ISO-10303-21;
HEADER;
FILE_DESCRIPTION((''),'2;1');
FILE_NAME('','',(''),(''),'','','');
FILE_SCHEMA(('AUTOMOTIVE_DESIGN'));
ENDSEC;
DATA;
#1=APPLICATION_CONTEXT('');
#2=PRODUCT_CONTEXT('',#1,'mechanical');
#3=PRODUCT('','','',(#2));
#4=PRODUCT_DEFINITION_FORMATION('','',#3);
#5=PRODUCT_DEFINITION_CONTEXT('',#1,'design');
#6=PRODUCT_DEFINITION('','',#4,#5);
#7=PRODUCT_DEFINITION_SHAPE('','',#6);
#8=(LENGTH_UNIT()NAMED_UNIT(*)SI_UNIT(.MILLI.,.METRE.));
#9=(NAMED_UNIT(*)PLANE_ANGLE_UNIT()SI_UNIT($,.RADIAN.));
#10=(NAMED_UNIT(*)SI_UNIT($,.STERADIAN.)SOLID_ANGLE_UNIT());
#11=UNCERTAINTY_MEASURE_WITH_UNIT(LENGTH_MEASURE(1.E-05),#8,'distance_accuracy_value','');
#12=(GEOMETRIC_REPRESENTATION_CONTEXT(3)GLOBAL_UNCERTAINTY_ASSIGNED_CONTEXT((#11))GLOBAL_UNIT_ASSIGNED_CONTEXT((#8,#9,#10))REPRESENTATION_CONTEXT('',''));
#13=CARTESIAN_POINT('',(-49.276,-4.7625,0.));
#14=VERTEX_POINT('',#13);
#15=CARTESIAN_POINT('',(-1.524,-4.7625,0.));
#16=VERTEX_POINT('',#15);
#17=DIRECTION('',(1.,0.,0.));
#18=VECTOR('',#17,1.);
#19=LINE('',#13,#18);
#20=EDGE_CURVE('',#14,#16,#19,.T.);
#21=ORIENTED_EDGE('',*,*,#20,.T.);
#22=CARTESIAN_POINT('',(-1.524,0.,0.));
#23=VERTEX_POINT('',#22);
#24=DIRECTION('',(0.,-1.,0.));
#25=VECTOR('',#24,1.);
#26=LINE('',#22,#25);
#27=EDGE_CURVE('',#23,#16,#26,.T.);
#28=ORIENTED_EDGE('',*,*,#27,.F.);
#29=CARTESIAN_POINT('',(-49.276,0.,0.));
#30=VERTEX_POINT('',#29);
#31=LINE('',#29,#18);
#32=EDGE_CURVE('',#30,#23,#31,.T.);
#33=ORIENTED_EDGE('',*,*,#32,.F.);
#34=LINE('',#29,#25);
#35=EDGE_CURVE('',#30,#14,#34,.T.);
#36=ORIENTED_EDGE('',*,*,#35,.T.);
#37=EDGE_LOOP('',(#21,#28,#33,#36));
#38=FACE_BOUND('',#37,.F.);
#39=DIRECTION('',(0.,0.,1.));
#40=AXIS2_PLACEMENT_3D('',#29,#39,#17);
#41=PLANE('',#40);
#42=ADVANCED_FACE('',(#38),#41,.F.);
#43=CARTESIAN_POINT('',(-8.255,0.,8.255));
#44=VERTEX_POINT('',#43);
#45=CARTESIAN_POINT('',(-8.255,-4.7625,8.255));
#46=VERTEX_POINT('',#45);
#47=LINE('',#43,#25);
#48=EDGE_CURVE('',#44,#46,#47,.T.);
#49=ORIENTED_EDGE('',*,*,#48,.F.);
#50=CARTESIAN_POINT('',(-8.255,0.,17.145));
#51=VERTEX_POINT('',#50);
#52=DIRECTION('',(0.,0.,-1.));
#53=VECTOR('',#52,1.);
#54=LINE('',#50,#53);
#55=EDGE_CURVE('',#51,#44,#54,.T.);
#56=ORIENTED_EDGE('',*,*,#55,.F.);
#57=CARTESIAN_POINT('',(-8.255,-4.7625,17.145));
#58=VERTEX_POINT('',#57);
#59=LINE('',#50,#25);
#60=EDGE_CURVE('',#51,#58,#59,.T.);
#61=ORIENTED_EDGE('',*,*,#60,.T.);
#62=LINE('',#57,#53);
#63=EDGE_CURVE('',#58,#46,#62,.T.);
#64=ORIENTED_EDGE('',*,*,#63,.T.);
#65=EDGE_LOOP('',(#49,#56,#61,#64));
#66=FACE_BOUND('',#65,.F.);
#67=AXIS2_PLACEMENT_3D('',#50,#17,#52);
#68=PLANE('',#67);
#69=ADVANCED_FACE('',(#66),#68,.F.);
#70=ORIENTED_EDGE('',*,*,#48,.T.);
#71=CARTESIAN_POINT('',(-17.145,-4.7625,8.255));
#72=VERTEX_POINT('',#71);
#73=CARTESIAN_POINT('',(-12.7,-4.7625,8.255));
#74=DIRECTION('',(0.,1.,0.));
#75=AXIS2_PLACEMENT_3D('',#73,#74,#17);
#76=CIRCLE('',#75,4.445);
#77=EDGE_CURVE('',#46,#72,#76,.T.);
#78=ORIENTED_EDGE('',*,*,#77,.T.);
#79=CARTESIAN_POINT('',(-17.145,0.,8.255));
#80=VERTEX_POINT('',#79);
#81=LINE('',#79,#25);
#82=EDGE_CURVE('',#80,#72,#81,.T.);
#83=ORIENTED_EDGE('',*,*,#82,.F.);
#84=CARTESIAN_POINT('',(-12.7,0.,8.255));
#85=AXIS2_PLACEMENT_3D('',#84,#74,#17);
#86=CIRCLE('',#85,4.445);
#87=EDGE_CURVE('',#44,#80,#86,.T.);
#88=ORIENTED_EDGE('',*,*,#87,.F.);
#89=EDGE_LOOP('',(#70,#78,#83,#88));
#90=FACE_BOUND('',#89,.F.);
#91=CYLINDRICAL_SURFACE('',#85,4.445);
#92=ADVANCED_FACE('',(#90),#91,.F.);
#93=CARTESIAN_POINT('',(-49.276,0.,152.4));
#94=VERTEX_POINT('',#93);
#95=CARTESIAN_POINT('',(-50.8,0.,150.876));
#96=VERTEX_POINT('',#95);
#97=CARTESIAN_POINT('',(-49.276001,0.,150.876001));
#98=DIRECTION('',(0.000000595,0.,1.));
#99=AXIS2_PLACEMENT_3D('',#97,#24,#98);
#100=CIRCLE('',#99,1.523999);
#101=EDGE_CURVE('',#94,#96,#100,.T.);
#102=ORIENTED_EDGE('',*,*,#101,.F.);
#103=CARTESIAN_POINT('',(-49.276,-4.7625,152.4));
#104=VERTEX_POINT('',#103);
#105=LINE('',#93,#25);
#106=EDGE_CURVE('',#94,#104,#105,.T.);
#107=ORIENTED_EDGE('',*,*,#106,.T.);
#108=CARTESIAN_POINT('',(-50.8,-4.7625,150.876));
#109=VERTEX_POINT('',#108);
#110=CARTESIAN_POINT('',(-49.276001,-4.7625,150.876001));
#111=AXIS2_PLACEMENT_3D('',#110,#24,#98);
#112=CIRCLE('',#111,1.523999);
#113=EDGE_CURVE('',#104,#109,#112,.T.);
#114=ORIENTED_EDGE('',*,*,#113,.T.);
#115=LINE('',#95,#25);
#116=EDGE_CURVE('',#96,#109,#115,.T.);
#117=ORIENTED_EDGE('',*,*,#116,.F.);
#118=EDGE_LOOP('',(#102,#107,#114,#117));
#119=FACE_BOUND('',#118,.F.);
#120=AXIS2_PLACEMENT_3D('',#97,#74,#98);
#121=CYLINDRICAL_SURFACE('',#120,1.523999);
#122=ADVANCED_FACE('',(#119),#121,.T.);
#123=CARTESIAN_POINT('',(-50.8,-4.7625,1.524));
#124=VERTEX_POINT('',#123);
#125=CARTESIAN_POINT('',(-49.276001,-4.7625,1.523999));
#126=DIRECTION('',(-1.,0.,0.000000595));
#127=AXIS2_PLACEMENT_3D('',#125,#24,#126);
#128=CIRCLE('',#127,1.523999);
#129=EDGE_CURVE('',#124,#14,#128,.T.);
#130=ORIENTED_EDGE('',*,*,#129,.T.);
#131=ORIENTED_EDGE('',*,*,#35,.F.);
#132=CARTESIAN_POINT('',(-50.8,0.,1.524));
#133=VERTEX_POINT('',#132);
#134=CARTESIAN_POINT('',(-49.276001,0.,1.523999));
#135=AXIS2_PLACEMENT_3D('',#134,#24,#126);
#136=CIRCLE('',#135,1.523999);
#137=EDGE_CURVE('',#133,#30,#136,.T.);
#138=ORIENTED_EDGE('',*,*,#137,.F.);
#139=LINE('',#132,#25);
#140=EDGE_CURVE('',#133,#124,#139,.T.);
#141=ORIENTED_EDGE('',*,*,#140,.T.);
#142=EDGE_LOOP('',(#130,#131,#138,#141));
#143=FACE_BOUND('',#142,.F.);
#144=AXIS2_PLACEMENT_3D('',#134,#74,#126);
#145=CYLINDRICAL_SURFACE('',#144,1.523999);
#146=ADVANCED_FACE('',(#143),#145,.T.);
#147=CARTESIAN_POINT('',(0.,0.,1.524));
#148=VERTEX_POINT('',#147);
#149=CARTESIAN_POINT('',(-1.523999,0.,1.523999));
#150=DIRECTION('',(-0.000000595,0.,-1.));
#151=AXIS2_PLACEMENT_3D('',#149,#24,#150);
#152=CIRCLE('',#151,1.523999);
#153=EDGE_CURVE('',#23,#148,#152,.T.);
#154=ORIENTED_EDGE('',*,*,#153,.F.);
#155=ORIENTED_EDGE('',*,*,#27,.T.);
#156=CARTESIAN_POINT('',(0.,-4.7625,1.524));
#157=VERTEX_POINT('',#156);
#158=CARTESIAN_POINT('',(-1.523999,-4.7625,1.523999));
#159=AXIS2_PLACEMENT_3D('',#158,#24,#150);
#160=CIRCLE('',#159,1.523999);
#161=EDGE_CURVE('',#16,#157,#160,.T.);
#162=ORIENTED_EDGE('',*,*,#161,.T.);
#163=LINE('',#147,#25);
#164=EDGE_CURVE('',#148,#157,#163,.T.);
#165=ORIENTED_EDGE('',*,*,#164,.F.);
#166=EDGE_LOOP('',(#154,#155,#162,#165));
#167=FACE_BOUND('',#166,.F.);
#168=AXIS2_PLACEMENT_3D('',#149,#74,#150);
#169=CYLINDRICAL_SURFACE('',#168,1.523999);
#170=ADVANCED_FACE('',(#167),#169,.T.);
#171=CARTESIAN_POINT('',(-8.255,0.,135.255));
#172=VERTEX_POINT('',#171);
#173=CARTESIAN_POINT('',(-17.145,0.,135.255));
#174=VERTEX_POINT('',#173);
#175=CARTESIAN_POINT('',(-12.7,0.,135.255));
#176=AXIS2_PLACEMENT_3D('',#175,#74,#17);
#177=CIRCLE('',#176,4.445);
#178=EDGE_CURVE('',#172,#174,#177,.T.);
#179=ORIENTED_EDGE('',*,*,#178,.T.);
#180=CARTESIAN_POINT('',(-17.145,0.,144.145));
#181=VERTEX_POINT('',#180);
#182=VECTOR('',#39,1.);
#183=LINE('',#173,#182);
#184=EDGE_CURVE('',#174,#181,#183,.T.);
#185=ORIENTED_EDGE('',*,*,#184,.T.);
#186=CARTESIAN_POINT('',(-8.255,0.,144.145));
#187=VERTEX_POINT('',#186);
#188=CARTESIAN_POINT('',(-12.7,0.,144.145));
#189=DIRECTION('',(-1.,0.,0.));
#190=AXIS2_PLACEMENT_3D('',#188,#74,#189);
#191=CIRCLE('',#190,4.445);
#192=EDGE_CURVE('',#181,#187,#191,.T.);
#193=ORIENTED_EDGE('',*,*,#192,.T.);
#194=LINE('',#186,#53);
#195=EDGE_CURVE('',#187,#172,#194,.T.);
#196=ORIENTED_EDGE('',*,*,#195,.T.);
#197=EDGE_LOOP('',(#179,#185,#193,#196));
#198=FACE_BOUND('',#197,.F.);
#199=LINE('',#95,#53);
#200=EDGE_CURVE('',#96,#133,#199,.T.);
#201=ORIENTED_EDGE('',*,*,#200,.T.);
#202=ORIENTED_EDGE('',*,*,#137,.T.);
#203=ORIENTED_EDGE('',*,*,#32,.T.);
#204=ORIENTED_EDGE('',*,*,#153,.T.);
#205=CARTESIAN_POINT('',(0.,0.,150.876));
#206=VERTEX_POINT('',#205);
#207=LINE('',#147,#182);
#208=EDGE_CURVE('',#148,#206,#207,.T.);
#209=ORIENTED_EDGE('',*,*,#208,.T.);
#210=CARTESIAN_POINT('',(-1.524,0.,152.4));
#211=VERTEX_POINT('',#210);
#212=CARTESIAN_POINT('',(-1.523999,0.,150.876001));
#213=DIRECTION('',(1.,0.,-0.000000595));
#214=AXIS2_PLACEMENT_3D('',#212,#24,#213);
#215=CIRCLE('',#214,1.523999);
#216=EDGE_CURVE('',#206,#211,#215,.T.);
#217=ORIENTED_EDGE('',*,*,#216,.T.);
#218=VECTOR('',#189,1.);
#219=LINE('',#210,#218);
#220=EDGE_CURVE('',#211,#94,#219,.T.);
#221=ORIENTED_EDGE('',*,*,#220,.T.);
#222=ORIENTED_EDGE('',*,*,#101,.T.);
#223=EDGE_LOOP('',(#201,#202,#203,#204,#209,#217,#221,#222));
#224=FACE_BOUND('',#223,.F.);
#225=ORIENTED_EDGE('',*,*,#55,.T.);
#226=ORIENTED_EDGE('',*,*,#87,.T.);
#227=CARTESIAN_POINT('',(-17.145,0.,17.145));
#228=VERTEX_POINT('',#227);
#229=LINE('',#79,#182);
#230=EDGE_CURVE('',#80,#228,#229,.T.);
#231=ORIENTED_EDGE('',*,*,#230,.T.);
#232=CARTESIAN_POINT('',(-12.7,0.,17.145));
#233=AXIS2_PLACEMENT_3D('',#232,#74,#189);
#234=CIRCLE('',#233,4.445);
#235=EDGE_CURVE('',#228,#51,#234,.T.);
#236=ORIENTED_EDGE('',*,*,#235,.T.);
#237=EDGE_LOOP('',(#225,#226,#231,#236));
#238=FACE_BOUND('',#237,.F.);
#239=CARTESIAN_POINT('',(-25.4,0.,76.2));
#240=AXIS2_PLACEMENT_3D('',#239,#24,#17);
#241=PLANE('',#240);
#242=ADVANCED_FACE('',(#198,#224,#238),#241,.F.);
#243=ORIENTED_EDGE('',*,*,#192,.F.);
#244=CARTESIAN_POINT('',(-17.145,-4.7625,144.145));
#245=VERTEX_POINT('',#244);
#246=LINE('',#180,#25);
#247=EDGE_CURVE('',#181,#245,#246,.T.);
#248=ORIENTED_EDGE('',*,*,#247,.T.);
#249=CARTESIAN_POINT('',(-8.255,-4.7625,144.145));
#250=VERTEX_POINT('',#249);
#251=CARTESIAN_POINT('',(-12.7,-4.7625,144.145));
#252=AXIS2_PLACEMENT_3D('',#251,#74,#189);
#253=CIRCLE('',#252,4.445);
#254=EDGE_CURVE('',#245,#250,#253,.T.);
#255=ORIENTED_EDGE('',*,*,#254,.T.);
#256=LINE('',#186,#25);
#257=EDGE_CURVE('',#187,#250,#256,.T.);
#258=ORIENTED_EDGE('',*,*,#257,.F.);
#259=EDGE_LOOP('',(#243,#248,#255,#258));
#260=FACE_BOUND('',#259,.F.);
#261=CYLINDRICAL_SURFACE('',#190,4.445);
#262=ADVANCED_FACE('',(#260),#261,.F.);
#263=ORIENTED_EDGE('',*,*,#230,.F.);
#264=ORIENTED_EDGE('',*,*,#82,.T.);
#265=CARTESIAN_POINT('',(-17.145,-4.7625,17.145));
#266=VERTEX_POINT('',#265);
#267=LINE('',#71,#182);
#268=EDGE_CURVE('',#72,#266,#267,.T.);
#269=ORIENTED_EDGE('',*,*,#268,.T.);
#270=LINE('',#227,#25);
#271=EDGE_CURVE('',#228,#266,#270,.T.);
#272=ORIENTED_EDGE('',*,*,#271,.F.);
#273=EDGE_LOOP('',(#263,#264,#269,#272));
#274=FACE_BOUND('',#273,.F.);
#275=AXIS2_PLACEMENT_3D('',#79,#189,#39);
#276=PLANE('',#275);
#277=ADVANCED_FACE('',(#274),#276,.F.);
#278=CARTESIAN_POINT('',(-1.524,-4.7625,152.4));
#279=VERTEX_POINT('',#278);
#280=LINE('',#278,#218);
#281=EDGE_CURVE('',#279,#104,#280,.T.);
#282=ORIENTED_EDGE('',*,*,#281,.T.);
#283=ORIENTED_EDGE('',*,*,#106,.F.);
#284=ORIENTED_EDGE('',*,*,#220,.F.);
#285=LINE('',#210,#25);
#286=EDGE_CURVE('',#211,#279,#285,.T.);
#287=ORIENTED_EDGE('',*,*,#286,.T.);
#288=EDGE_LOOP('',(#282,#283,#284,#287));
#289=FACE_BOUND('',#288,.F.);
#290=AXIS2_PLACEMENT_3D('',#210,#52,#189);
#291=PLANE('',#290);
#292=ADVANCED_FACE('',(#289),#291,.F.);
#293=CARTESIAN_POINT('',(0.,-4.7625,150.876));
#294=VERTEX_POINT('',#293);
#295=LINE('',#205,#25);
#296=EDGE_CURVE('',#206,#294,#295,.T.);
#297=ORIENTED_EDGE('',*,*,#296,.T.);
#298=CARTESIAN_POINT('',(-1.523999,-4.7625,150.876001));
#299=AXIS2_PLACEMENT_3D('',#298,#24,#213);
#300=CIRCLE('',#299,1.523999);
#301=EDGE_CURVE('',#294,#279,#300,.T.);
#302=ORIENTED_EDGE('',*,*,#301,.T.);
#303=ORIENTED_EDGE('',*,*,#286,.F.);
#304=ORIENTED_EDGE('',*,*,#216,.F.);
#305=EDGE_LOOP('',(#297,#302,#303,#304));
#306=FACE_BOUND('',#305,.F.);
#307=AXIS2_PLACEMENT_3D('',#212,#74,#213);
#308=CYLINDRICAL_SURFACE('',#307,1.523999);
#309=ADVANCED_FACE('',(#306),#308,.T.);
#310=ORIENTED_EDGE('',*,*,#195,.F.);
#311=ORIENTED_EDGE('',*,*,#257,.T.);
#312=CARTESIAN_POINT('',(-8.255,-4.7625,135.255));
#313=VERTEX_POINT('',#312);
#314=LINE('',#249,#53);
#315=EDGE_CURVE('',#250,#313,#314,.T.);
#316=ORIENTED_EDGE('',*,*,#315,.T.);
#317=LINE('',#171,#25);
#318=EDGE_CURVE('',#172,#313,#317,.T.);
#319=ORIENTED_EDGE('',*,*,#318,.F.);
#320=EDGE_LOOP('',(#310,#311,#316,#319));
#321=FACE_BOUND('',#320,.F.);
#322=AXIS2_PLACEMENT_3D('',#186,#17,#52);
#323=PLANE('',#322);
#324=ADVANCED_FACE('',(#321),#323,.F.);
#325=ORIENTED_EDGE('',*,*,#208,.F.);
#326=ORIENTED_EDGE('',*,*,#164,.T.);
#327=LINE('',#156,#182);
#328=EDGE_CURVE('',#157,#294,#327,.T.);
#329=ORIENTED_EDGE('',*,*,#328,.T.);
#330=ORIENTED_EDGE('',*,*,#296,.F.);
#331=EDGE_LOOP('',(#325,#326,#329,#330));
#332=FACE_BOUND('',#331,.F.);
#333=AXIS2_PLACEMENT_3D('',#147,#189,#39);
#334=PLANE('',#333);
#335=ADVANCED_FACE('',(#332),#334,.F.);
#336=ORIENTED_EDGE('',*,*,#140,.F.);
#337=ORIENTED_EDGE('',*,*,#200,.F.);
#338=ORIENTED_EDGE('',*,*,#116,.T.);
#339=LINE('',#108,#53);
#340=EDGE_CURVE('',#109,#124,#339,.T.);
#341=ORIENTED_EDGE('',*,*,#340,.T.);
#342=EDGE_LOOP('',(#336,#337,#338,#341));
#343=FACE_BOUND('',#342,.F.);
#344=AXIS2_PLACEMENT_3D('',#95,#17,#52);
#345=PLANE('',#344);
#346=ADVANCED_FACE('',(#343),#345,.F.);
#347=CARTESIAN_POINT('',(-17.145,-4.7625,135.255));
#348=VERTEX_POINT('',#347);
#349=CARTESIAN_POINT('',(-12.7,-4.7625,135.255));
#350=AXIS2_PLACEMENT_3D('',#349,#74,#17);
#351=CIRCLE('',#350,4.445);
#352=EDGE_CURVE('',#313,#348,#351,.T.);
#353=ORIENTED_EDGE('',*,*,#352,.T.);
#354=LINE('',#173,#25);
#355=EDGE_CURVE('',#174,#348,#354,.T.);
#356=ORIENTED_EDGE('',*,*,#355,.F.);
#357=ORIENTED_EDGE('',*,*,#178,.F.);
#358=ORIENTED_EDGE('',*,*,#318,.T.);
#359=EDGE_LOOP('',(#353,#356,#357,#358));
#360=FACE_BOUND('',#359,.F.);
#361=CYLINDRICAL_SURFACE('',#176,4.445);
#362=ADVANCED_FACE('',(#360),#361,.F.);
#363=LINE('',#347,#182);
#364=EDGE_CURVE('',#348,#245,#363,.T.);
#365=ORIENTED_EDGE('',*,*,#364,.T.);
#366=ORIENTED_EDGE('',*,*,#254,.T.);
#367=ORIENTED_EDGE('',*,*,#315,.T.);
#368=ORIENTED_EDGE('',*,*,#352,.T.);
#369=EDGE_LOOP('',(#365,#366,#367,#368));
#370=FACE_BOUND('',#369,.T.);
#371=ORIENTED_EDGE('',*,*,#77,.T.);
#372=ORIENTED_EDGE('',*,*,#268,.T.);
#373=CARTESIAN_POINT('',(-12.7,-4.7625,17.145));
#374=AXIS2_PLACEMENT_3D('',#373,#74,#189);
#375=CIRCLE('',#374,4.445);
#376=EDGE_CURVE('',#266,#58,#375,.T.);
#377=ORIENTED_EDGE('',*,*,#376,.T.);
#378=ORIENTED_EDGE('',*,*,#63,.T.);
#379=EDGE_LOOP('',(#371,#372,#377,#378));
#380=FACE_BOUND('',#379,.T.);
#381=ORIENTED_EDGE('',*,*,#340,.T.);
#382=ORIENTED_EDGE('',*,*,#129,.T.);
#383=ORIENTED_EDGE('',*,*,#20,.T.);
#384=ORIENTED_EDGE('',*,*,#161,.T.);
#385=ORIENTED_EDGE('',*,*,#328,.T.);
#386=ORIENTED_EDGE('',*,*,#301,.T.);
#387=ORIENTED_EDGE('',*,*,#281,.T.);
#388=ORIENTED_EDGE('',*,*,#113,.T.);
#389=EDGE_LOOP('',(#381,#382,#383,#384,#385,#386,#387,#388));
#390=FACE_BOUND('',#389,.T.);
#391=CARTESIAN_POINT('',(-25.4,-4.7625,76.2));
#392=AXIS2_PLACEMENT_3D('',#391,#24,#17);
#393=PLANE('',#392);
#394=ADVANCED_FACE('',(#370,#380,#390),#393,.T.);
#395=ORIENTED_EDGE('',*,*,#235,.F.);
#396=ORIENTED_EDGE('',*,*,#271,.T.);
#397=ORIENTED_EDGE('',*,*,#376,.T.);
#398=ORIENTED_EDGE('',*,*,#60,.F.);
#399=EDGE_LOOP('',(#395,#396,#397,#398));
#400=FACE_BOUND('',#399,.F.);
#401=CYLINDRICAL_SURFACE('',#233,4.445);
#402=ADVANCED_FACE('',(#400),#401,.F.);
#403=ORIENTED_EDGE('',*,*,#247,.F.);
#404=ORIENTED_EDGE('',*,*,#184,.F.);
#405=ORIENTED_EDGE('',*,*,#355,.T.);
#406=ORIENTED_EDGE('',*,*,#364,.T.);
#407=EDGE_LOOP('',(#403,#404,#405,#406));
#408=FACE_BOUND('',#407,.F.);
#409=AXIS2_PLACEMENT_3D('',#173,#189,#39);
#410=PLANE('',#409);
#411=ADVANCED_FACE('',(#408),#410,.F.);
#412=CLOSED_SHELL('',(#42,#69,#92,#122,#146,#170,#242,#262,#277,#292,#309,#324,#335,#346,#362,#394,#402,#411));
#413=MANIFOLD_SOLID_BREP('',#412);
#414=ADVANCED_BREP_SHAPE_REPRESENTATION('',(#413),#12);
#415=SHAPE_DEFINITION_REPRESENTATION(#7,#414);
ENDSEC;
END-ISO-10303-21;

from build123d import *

# Parameters (mm, degrees)
F1_DEPTH = 4.7625


with BuildPart() as f1:
    # F0 (on Front) → F1 (new body)
    with BuildSketch(Plane.XZ):
        with BuildLine():
            ThreePointArc((-1.524, 0), (-0.446369, 0.446369), (0, 1.524))
            Line((0, 1.524), (0, 150.876))
            ThreePointArc((0, 150.876), (-0.446369, 151.953631), (-1.524, 152.4))
            Line((-1.524, 152.4), (-49.276, 152.4))
            ThreePointArc((-49.276, 152.4), (-50.353631, 151.953631), (-50.8, 150.876))
            Line((-50.8, 150.876), (-50.8, 1.524))
            ThreePointArc((-50.8, 1.524), (-50.353631, 0.446369), (-49.276, 0))
            Line((-49.276, 0), (-1.524, 0))
        make_face()
        with BuildLine():
            ThreePointArc((-17.145, 17.145), (-12.7, 21.59), (-8.255, 17.145))
            Line((-8.255, 17.145), (-8.255, 8.255))
            ThreePointArc((-8.255, 8.255), (-12.7, 3.81), (-17.145, 8.255))
            Line((-17.145, 8.255), (-17.145, 17.145))
        make_face(mode=Mode.SUBTRACT)
        with BuildLine():
            ThreePointArc((-17.145, 144.145), (-12.7, 148.59), (-8.255, 144.145))
            Line((-8.255, 144.145), (-8.255, 135.255))
            ThreePointArc((-8.255, 135.255), (-12.7, 130.81), (-17.145, 135.255))
            Line((-17.145, 135.255), (-17.145, 144.145))
        make_face(mode=Mode.SUBTRACT)
    extrude(amount=F1_DEPTH)


solid = f1.part
